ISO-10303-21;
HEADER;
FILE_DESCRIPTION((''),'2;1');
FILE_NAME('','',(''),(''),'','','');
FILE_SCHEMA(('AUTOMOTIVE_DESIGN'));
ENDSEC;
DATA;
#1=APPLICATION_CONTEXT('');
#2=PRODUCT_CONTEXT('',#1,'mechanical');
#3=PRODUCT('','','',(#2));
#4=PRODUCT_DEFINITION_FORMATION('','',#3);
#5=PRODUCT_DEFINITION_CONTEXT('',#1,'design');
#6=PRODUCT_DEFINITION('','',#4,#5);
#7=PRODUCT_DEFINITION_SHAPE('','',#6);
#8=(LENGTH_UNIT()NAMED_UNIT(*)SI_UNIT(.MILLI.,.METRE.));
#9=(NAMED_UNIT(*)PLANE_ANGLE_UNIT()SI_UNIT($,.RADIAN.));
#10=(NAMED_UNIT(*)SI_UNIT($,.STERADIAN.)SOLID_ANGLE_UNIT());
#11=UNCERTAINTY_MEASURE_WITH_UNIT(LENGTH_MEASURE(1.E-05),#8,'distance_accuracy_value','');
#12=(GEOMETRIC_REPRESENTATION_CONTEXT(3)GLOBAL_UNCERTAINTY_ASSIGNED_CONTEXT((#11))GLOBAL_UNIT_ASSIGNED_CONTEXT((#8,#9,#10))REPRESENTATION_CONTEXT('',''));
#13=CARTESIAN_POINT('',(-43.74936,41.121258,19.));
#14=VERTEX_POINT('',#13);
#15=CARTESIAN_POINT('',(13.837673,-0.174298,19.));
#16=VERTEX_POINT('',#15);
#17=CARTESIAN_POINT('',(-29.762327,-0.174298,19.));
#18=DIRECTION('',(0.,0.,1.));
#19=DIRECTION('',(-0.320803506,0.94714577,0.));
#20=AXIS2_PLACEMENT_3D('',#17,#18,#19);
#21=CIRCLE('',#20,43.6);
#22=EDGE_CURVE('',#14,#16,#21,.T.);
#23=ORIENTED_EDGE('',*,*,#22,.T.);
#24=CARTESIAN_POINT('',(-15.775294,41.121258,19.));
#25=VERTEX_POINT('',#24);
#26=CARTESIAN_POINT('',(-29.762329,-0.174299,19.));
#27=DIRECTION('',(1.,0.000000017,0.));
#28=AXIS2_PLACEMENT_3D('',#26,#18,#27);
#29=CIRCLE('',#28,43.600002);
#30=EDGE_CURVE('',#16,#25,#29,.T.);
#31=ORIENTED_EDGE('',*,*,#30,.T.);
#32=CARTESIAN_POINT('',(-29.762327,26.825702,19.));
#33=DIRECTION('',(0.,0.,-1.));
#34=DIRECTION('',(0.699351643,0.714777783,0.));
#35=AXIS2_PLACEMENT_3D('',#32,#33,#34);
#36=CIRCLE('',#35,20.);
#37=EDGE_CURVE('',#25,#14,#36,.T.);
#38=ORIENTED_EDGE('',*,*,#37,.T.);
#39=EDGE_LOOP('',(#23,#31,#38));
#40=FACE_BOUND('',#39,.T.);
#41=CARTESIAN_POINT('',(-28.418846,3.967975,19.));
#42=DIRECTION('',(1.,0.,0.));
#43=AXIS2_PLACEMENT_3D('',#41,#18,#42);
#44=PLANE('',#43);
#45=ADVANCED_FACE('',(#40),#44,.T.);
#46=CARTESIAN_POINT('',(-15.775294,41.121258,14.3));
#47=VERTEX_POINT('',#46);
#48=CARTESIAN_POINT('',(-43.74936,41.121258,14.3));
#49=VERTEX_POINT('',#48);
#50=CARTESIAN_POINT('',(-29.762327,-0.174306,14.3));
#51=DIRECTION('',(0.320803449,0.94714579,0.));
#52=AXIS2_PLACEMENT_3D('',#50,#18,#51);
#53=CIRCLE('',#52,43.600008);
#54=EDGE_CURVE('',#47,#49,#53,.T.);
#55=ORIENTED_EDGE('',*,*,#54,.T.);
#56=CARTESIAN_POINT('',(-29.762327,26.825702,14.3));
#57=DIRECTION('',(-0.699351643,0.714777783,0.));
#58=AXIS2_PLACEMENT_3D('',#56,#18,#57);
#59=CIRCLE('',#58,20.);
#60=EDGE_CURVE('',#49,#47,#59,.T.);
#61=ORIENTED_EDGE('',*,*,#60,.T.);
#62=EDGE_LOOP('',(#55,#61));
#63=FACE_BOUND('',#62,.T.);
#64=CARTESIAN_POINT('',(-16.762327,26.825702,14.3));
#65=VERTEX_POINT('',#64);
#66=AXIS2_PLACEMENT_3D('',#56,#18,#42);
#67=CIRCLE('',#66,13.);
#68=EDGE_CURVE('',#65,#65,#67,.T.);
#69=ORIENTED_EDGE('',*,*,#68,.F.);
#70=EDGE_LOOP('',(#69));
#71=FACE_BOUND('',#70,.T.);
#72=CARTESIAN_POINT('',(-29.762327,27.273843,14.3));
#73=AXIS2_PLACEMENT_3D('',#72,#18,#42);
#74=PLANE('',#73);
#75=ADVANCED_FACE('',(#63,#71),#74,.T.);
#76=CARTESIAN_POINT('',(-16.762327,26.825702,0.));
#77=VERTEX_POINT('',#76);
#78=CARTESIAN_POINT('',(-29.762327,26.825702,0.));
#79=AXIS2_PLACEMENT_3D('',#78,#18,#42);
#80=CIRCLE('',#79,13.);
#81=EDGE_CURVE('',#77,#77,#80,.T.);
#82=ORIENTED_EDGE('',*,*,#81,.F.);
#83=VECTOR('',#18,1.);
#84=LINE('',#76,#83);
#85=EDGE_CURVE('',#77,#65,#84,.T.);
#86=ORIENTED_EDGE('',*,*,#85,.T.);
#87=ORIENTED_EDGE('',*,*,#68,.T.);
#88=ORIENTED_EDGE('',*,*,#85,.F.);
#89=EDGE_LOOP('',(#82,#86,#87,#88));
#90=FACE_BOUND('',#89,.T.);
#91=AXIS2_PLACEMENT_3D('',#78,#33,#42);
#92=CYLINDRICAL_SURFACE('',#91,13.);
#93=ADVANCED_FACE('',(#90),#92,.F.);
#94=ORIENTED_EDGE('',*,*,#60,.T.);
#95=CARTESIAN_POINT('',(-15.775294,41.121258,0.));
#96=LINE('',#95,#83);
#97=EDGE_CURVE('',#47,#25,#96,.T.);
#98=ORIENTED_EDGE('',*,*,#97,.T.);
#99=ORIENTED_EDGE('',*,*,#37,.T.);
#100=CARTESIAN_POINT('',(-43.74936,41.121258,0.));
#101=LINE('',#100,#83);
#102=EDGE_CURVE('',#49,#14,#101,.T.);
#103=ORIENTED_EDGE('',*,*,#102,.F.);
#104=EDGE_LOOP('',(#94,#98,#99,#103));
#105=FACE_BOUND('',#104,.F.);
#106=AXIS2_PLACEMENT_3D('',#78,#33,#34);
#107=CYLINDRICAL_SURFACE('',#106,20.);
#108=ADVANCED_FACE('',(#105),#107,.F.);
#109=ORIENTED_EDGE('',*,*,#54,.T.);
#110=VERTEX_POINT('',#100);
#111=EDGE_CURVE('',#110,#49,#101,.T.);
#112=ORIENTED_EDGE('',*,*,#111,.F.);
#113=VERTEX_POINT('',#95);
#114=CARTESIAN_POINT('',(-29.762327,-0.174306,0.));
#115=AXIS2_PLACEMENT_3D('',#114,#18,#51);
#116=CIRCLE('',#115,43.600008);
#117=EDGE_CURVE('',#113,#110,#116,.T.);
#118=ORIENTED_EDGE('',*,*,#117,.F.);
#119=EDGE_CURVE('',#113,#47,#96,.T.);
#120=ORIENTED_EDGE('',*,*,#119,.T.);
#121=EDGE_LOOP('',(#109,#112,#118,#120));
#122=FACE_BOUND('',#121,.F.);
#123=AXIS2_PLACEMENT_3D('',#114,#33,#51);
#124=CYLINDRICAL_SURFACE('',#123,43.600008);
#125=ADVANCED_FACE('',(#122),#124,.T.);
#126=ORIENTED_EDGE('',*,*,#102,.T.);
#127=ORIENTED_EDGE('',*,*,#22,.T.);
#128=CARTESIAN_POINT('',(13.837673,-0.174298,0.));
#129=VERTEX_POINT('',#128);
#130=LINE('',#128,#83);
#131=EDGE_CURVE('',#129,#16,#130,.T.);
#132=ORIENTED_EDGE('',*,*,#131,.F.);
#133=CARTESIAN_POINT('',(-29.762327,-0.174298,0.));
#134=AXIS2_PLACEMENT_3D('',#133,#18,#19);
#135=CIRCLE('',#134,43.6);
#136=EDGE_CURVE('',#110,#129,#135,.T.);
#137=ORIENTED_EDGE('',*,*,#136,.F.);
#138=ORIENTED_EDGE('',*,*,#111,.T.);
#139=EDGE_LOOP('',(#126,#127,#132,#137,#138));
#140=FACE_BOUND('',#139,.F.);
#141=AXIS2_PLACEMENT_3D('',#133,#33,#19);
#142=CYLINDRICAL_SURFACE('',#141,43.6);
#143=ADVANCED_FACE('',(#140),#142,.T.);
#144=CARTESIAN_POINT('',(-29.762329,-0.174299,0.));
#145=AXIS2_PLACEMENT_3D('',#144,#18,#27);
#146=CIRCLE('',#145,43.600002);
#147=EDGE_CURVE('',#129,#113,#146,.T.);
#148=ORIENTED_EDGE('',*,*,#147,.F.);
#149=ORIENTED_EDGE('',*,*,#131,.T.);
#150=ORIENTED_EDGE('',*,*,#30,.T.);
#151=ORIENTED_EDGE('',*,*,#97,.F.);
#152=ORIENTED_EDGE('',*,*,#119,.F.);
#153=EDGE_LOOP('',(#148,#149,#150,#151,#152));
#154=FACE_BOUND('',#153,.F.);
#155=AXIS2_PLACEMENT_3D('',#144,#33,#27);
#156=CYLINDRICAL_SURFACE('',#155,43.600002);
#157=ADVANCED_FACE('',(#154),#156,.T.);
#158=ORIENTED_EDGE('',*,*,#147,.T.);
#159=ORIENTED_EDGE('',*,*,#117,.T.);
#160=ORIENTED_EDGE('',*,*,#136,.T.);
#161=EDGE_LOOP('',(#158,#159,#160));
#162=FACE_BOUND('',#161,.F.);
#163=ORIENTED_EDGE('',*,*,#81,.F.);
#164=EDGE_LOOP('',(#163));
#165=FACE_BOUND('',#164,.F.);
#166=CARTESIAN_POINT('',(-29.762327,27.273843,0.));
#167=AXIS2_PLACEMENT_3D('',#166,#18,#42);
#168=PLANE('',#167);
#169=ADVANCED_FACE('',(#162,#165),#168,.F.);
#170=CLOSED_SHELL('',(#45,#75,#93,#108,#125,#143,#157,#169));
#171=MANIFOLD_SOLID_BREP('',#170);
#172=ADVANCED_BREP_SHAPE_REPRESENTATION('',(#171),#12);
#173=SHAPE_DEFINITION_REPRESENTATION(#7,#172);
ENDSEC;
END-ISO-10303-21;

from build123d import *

# Parameters (mm, degrees)
F1_DEPTH = 19
F0_R     = 13
F2_DEPTH = 14.3


with BuildPart() as f1:
    # F0 (on Top) → F1 (new body)
    with BuildSketch(Plane.XY):
        with BuildLine():
            ThreePointArc((-43.74936, 41.121258), (-55.170253, -35.605884), (13.837673, -0.174298))
            ThreePointArc((13.837673, -0.174298), (5.669259, 25.233628), (-15.775294, 41.121258))
            ThreePointArc((-15.775294, 41.121258), (-29.762327, 6.825702), (-43.74936, 41.121258))
        make_face()
    extrude(amount=F1_DEPTH)

    # F0 (on Top) → F2 (join)
    with BuildSketch(Plane.XY):
        with BuildLine():
            ThreePointArc((-43.74936, 41.121258), (-29.762327, 6.825702), (-15.775294, 41.121258))
            ThreePointArc((-15.775294, 41.121258), (-29.762327, 43.425702), (-43.74936, 41.121258))
        make_face()
        with Locations((-29.762327, 26.825702)):
            Circle(F0_R, mode=Mode.SUBTRACT)
    extrude(amount=F2_DEPTH)


solid = f1.part
